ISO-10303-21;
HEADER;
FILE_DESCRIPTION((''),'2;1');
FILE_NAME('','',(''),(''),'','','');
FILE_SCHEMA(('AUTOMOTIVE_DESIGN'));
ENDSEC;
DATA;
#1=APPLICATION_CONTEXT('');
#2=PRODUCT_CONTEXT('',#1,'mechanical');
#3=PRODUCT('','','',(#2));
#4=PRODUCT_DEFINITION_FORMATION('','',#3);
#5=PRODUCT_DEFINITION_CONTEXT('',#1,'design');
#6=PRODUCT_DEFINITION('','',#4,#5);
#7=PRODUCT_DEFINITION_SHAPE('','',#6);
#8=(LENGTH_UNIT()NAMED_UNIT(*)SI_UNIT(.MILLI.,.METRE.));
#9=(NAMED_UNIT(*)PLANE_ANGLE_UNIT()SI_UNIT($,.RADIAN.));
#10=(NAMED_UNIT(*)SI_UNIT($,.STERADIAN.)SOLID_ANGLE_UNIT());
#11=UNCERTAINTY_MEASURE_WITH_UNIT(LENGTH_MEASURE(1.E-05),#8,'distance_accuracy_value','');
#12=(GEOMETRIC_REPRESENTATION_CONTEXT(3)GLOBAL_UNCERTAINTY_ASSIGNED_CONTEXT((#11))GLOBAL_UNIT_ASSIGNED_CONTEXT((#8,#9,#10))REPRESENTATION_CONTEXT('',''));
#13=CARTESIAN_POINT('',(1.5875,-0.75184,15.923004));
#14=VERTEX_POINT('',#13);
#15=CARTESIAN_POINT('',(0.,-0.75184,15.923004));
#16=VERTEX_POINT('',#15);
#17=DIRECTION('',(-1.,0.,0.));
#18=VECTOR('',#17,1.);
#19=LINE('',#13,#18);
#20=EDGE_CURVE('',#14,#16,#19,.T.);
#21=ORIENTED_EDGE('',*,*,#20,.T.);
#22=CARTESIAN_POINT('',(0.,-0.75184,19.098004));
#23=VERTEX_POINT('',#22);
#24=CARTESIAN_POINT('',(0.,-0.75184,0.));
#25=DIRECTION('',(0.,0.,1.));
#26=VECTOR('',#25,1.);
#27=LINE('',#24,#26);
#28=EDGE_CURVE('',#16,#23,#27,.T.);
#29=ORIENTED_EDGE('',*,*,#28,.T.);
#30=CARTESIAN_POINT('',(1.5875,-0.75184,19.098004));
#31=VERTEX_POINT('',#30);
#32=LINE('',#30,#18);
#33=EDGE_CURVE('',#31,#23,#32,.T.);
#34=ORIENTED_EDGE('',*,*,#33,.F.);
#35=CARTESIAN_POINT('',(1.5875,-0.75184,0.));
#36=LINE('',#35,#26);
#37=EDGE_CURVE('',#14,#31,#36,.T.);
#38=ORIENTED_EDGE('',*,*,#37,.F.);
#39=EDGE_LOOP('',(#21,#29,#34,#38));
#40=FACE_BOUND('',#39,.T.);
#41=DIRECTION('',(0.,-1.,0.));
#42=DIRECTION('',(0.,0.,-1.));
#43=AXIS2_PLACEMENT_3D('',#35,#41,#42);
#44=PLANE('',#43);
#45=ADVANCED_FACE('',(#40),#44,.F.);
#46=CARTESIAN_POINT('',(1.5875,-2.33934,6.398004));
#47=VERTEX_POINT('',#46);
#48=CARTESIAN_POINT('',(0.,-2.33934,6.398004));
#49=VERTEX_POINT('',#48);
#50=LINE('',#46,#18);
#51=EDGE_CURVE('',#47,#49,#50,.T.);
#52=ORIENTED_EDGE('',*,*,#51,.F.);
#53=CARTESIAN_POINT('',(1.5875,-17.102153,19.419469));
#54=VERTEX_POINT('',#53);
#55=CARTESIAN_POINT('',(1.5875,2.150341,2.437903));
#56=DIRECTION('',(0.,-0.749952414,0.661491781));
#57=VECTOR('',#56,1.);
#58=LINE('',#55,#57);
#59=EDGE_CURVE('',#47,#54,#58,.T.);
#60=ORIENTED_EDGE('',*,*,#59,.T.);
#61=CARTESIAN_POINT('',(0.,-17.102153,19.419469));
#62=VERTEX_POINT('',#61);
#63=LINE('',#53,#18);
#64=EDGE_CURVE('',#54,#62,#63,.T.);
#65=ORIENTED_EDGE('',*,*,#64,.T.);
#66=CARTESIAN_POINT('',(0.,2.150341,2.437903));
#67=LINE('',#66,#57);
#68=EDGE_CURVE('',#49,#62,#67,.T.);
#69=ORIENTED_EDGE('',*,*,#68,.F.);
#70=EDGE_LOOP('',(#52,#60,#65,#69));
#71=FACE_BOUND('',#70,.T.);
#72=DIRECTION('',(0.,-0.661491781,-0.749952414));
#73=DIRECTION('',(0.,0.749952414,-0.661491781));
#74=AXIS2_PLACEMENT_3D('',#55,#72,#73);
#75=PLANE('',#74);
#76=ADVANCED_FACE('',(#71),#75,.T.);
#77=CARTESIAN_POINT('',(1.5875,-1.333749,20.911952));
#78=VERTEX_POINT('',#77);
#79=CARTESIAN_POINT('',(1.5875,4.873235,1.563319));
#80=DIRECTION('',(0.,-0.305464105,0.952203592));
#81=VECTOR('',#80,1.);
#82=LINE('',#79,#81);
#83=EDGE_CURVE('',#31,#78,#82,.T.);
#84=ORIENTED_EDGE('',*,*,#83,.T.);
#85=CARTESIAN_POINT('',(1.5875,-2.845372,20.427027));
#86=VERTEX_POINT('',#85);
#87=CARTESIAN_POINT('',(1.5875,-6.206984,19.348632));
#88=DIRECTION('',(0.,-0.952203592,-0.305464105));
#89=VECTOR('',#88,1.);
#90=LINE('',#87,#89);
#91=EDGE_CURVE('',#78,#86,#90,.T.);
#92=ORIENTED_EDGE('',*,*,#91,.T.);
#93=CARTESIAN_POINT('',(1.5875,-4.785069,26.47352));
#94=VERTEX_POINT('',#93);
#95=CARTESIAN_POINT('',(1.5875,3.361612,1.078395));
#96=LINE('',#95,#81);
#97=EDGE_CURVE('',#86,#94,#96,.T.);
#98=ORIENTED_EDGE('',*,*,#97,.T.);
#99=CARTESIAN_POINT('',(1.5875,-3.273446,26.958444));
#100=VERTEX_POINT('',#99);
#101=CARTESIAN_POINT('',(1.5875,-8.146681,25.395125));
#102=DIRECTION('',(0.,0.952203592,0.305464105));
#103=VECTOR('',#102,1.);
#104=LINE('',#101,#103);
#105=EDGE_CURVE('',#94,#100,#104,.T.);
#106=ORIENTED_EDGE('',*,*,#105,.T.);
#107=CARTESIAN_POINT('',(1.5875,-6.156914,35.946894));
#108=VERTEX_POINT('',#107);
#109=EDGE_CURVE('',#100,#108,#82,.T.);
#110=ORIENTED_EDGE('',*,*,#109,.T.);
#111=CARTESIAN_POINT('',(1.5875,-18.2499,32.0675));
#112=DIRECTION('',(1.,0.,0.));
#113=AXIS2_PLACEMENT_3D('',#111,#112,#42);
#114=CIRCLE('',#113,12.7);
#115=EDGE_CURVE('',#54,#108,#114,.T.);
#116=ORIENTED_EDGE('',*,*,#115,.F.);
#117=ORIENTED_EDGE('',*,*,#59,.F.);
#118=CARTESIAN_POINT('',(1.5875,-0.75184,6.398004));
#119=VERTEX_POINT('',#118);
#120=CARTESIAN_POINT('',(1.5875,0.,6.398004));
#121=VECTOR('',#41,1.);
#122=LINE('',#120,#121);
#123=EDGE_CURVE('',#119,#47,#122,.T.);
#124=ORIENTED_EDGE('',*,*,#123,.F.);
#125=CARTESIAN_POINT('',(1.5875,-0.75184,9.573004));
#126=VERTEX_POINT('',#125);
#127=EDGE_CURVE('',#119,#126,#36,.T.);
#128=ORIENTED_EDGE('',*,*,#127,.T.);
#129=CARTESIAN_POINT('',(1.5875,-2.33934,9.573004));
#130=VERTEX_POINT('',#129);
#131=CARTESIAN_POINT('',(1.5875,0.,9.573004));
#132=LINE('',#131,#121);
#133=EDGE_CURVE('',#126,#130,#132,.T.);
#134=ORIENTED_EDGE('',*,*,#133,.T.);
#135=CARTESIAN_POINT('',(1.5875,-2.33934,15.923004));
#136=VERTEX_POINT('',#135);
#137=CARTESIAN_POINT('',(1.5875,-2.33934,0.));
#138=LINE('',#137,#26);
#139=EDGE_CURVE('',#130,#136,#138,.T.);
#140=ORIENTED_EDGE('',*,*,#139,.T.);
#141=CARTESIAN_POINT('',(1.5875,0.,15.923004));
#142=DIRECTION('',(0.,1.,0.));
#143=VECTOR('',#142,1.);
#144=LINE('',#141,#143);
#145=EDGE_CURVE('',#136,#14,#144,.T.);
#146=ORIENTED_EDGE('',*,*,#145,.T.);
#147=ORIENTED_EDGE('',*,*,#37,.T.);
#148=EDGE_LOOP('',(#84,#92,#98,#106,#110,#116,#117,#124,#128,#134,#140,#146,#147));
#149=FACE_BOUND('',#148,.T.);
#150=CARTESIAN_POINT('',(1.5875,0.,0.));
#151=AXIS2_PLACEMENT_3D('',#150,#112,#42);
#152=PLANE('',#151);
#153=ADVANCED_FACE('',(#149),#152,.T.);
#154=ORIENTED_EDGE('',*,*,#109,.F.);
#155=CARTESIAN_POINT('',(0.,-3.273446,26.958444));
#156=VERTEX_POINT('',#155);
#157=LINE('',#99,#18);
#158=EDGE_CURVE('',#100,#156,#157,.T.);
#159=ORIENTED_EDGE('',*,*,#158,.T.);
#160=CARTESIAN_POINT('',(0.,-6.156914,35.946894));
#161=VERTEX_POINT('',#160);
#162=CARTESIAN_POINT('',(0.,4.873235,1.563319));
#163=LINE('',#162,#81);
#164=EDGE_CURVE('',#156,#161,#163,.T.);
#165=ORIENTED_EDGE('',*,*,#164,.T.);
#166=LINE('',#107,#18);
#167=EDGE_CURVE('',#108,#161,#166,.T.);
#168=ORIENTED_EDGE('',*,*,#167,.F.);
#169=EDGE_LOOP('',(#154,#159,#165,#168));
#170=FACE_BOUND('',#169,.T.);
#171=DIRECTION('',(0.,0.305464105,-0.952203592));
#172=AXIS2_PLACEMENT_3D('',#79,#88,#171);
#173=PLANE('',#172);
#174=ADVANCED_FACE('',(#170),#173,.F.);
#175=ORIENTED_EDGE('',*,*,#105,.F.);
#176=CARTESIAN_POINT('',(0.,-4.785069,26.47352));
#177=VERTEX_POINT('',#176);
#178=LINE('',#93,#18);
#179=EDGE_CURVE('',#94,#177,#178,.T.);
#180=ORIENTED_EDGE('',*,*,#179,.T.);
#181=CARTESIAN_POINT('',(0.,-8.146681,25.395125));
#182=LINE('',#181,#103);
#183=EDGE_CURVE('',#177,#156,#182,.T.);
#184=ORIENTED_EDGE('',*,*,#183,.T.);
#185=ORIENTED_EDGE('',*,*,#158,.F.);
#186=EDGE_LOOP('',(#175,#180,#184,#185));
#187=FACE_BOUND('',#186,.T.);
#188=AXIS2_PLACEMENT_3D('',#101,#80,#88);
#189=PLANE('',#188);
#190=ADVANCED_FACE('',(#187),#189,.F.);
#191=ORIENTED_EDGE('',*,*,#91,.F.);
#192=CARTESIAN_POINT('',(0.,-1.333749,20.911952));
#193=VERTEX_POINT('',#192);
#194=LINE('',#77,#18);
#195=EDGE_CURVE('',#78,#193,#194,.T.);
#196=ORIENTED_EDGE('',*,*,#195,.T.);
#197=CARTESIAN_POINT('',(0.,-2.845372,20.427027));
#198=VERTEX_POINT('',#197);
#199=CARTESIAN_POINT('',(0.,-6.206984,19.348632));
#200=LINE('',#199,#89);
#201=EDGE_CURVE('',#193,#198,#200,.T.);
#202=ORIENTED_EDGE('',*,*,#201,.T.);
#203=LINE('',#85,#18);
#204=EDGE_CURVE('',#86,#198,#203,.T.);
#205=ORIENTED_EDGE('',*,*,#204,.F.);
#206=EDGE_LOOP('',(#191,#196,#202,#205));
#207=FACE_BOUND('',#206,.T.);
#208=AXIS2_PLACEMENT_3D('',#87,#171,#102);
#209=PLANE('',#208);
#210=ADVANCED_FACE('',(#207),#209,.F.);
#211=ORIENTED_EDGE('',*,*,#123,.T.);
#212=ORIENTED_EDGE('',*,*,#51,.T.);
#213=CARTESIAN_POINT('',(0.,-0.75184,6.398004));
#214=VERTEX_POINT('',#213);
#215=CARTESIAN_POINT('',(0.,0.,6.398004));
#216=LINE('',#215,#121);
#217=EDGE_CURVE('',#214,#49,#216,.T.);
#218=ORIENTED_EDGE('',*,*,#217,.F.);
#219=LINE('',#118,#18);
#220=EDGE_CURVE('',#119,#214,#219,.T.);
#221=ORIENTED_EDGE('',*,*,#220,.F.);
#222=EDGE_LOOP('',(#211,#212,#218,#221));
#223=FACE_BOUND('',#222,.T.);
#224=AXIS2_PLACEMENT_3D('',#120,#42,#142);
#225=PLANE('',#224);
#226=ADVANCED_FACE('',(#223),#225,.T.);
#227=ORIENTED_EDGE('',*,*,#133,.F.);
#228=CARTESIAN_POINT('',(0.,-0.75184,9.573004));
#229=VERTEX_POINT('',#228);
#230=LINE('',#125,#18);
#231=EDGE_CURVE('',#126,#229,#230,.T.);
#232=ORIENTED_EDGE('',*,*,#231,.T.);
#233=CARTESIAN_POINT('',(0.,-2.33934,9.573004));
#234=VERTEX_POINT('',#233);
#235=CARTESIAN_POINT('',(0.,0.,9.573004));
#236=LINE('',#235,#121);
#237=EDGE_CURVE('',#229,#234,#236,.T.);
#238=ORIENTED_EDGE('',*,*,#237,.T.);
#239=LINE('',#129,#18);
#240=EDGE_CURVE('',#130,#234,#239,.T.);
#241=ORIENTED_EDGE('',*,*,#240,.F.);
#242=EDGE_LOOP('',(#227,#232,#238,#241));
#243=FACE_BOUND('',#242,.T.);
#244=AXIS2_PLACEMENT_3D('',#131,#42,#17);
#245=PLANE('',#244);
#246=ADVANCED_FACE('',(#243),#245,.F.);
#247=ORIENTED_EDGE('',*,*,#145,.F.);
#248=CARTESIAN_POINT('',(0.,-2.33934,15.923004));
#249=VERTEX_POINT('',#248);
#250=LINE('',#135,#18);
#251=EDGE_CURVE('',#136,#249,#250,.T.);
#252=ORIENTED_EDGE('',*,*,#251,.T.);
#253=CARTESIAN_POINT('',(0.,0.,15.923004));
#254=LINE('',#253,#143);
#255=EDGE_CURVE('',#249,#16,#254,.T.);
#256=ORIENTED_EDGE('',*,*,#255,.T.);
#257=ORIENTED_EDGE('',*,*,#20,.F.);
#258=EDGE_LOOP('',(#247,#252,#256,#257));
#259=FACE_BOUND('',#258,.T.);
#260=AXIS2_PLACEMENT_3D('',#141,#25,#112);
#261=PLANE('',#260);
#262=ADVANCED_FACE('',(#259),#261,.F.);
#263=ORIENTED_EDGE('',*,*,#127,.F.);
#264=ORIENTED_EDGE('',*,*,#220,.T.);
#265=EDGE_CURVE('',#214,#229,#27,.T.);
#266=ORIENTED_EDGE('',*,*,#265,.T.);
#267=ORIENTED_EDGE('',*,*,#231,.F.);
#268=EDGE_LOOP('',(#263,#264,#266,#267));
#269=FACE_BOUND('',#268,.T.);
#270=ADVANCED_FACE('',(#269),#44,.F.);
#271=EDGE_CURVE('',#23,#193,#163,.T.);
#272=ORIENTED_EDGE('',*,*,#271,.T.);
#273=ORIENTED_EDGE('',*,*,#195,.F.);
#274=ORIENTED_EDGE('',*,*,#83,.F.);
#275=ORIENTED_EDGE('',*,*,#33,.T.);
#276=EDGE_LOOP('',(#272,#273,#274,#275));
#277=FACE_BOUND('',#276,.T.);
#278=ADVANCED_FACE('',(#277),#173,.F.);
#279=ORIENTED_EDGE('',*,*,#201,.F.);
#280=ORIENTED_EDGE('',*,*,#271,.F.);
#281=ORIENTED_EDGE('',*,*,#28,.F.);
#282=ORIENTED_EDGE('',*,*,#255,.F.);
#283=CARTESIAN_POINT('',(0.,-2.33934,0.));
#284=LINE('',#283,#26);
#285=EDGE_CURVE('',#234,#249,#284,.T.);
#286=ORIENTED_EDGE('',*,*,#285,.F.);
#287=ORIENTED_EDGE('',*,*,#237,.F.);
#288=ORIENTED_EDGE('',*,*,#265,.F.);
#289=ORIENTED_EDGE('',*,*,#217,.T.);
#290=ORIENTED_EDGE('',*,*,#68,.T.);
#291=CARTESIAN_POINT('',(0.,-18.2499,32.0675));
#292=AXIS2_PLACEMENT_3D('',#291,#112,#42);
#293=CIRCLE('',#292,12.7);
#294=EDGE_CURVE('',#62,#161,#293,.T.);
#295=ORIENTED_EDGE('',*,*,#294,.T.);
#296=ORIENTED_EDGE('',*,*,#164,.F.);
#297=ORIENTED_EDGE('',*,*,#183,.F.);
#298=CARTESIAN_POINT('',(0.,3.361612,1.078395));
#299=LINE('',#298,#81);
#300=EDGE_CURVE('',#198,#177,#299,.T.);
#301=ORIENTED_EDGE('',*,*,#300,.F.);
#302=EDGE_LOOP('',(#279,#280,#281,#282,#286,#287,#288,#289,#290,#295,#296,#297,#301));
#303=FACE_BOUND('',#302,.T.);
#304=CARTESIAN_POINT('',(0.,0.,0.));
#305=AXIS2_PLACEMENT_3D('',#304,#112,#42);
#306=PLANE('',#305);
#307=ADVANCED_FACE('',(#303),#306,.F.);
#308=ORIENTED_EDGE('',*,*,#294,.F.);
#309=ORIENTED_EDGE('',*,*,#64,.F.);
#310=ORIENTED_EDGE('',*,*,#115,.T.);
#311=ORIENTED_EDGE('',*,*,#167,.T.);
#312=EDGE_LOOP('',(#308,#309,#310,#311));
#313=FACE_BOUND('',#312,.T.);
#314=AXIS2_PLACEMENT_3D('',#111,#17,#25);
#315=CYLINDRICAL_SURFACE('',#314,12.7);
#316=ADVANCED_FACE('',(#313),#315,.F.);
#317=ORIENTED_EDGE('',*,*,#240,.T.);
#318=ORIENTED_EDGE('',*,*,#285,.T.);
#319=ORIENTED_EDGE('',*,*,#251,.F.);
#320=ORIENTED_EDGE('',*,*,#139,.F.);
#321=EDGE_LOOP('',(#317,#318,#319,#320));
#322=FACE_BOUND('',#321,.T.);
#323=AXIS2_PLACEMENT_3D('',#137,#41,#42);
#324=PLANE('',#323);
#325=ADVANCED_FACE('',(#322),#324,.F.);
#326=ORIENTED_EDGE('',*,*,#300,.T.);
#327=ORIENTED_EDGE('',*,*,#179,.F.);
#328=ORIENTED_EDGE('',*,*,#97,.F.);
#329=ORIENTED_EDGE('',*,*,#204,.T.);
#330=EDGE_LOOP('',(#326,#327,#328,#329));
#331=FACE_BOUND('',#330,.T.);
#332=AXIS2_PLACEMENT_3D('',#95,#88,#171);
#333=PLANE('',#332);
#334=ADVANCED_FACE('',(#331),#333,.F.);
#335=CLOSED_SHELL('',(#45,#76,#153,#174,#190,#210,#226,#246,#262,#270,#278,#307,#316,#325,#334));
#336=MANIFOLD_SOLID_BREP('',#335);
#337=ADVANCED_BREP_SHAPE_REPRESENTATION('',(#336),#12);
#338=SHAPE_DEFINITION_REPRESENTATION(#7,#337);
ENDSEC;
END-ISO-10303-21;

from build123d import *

# Parameters (mm, degrees)
BOSS_EXTRUDE1_DEPTH = 1.5875


with BuildPart() as part:
    # Sketch1 → Boss-Extrude1 (new body)
    with BuildSketch(Plane(origin=(0, 0, 0), x_dir=(0, 0, -1), z_dir=(1, 0, 0))):
        with BuildLine():
            Line((-6.398003714, -0.75184), (-6.398003714, -2.33934))
            Line((-6.398003714, -2.33934), (-19.419469424, -17.102153274))
            ThreePointArc((-19.419469424, -17.102153274), (-25.055238608, -7.661312267), (-35.94689414, -6.156914384))
            Line((-35.94689414, -6.156914384), (-26.958444364, -3.273446191))
            Line((-26.958444364, -3.273446191), (-26.473520097, -4.785069393))
            Line((-26.473520097, -4.785069393), (-20.427027289, -2.845372323))
            Line((-20.427027289, -2.845372323), (-20.911951556, -1.333749121))
            Line((-20.911951556, -1.333749121), (-19.098003714, -0.75184))
            Line((-19.098003714, -0.75184), (-15.923003714, -0.75184))
            Line((-15.923003714, -0.75184), (-15.923003714, -2.33934))
            Line((-15.923003714, -2.33934), (-9.573003714, -2.33934))
            Line((-9.573003714, -2.33934), (-9.573003714, -0.75184))
            Line((-9.573003714, -0.75184), (-6.398003714, -0.75184))
        make_face()
    extrude(amount=BOSS_EXTRUDE1_DEPTH)


solid = part.part
